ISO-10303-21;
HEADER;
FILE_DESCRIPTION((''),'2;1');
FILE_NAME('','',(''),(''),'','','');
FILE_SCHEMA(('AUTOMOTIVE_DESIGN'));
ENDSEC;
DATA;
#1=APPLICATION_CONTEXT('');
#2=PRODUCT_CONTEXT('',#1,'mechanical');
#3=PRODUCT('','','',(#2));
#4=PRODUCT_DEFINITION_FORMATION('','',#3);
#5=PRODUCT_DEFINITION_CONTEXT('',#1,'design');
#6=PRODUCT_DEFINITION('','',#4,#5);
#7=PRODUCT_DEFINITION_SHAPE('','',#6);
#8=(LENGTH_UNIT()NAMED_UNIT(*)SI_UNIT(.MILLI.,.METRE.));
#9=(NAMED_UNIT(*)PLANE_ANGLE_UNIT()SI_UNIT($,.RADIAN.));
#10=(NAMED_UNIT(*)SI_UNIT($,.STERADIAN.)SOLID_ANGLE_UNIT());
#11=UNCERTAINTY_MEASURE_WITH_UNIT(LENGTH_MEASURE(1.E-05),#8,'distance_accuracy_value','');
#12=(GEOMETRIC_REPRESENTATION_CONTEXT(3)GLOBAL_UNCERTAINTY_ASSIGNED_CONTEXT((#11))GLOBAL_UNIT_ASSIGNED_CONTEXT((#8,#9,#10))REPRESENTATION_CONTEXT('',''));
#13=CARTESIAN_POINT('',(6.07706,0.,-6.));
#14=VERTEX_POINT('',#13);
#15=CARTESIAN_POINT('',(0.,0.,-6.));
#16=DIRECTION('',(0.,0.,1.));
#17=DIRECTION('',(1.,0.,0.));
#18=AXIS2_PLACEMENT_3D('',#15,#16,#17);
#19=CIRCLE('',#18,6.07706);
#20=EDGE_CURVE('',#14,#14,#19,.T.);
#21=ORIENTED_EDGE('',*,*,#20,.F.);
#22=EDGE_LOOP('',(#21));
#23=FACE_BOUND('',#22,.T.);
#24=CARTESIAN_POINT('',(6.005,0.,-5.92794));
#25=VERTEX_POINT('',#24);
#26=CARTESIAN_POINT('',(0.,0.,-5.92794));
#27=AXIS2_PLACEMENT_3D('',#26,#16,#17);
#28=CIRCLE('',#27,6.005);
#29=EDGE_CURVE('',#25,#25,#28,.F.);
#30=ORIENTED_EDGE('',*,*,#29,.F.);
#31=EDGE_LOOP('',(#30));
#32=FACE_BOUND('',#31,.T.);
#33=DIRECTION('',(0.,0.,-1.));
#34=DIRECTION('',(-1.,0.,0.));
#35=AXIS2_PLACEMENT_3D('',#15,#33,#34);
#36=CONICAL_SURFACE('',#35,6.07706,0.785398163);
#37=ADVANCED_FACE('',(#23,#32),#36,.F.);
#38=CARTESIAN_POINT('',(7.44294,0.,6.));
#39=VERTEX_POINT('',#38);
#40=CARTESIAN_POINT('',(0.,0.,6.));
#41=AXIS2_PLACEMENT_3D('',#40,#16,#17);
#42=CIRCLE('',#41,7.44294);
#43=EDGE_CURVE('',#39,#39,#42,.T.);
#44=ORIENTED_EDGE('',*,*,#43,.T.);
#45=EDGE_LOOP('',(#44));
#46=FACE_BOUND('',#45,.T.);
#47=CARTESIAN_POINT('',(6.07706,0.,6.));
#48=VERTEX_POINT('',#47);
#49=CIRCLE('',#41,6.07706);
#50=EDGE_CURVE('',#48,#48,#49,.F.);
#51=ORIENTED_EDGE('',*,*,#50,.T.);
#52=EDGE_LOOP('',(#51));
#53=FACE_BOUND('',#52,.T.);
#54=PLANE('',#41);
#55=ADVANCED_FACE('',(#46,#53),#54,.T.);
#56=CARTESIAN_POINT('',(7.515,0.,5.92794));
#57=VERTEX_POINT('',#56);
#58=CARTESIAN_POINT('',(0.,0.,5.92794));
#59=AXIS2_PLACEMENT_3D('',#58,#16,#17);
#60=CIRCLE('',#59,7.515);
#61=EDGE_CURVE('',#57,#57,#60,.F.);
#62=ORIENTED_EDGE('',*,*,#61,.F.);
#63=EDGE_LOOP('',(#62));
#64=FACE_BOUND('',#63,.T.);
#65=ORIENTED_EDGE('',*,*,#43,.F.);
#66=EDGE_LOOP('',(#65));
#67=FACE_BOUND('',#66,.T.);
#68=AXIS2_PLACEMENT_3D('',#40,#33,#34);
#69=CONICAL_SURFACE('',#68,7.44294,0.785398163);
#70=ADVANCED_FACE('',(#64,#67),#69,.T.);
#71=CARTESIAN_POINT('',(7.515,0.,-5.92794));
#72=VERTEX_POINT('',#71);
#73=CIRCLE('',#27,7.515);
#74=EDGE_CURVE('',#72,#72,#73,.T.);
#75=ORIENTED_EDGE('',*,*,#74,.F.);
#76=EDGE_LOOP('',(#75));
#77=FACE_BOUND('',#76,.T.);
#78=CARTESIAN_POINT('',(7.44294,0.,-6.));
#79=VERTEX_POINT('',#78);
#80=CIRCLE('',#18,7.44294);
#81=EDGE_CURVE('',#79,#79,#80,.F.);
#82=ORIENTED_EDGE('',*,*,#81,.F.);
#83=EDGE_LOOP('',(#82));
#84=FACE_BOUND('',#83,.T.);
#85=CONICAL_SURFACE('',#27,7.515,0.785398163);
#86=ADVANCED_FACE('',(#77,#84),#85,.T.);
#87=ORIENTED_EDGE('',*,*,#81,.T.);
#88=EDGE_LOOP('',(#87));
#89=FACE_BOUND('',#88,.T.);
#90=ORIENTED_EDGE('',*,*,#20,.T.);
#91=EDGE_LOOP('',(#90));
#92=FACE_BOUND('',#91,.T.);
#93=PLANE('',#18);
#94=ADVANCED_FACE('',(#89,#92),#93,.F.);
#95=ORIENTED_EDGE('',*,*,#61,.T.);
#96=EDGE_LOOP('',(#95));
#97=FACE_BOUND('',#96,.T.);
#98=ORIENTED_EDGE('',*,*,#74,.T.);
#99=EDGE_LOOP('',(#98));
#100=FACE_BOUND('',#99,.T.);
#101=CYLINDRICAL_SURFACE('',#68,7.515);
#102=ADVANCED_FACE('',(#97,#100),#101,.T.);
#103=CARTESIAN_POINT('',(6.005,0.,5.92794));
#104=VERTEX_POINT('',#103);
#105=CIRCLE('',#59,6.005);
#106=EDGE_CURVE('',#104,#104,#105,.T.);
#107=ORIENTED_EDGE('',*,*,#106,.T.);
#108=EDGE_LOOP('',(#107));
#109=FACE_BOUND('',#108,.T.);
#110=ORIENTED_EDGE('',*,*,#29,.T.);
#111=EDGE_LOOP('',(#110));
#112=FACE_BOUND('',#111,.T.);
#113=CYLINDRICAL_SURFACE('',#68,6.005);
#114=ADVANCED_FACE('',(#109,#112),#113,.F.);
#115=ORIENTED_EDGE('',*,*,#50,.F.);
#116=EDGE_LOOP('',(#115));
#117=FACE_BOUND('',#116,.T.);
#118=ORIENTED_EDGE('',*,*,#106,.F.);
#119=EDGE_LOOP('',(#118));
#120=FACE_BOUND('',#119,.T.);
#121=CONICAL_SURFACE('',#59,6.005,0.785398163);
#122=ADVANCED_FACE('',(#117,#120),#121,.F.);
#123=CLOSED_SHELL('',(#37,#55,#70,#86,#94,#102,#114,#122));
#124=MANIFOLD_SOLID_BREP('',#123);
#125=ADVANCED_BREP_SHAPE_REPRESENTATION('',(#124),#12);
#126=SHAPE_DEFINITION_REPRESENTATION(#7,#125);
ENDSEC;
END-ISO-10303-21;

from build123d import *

# Parameters (mm, degrees)
BOSS_EXTRUDE1_DEPTH      = 6
BOSS_EXTRUDE1_DEPTH_BACK = 6
SKETCH5_R                = 7.515
SKETCH5_R_2              = 6.005
CHAMFER1_SIZE            = 0.07206


with BuildPart() as part:
    # Sketch5 → Boss-Extrude1 (new, two sides: drawn at the far end of the back side and taken through both)
    with BuildSketch(Plane.XY.offset(-BOSS_EXTRUDE1_DEPTH_BACK)):
        Circle(SKETCH5_R)
        Circle(SKETCH5_R_2, mode=Mode.SUBTRACT)
    extrude(amount=BOSS_EXTRUDE1_DEPTH + BOSS_EXTRUDE1_DEPTH_BACK)

    # Chamfer1
    chamfer1_edges = [part.edges().sort_by_distance(p)[0] for p in [
        (-7.515, 0, 6),
        (-6.005, 0, 6),
        (-7.515, 0, -6),
        (-6.005, 0, -6),
    ]]
    chamfer(chamfer1_edges, length=CHAMFER1_SIZE)


solid = part.part
